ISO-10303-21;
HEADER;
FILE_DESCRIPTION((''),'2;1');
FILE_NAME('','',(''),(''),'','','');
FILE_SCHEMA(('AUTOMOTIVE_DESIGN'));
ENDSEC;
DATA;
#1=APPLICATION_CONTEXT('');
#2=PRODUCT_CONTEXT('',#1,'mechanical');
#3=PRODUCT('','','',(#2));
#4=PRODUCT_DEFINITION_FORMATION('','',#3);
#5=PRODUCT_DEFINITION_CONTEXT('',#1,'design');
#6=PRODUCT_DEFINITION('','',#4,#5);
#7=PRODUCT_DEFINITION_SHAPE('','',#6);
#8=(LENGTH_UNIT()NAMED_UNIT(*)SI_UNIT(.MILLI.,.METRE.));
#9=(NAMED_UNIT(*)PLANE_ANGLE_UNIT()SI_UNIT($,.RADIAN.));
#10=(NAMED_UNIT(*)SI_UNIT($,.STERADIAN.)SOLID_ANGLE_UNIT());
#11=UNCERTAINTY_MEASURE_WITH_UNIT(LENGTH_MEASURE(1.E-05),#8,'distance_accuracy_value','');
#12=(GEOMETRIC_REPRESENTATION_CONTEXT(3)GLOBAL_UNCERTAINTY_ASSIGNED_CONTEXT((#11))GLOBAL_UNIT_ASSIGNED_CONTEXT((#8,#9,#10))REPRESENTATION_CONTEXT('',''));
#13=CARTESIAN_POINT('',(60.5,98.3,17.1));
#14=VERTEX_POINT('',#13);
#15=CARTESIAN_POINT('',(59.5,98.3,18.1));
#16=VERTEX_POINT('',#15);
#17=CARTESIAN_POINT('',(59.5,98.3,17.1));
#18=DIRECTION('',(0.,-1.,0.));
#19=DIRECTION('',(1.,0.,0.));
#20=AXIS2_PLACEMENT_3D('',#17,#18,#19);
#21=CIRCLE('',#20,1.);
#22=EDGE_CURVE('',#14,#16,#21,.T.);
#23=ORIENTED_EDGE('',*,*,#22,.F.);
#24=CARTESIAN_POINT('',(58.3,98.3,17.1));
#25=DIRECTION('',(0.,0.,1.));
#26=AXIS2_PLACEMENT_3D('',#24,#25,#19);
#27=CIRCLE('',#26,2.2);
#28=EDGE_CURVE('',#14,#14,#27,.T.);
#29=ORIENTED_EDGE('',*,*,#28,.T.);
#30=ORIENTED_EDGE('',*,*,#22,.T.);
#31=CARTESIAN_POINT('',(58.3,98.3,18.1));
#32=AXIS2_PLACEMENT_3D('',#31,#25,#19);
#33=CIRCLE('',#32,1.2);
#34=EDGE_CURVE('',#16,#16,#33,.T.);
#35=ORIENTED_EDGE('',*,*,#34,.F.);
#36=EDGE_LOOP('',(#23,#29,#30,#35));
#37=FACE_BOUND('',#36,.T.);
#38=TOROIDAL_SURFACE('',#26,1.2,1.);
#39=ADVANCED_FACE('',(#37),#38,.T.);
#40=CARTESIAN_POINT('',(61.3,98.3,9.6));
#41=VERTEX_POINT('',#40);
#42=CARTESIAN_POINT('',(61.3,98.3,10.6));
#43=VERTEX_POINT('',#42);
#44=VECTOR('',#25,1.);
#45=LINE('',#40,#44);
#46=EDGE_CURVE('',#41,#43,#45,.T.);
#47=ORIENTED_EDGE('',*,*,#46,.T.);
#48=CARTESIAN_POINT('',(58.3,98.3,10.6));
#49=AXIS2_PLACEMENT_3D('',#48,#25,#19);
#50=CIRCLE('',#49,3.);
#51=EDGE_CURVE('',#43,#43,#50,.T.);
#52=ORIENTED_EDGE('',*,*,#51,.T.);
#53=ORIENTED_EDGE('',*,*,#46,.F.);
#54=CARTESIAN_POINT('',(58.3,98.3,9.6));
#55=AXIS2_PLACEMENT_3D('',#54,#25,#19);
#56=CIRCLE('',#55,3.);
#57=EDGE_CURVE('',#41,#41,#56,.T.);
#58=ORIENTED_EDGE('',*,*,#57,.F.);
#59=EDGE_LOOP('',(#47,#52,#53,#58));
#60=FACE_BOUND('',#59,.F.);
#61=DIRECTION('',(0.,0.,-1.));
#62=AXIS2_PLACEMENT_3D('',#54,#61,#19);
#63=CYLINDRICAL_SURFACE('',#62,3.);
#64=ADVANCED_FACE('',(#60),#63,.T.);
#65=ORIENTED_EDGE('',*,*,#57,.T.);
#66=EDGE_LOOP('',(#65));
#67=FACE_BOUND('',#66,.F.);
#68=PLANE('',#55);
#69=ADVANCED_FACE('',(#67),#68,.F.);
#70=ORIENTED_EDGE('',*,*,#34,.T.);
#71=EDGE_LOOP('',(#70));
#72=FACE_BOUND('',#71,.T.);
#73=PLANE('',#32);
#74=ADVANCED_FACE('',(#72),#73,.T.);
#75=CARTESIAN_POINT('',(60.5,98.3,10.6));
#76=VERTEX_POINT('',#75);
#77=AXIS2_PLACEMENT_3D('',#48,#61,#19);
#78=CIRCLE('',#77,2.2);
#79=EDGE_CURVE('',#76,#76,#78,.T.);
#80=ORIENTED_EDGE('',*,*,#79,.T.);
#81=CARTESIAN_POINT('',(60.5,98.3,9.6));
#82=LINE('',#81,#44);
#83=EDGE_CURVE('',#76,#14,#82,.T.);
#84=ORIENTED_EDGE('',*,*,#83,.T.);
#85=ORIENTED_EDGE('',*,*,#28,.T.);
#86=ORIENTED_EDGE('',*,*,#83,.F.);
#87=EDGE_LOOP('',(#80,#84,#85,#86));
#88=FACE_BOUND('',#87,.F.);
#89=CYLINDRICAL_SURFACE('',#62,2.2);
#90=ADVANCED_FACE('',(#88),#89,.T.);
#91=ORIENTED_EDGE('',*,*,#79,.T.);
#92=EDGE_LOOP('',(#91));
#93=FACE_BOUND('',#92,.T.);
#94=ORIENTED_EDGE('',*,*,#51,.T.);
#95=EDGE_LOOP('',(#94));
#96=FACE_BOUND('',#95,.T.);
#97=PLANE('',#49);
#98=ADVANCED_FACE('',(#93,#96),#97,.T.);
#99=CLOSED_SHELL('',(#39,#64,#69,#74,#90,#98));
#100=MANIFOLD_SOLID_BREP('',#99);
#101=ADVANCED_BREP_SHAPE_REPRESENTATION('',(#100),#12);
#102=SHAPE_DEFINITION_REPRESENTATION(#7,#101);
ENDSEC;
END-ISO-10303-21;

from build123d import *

# Parameters (mm, degrees)
CYLINDER020_R     = 2.2
CYLINDER020_DEPTH = 8.5
CYLINDER022_R     = 3
CYLINDER022_DEPTH = 1
FILLET001_R       = 1


with BuildPart() as control_button_c:
    # Cylinder020 → Cylinder020 (new body)
    with BuildSketch(Plane(origin=(58.3, 98.3, 9.6), x_dir=(1, 0, 0), z_dir=(0, 0, 1))):
        Circle(CYLINDER020_R)
    extrude(amount=CYLINDER020_DEPTH)


with BuildPart() as control_button:
    # Cylinder022 → Cylinder022 (new body)
    with BuildSketch(Plane(origin=(58.3, 98.3, 9.6), x_dir=(1, 0, 0), z_dir=(0, 0, 1))):
        Circle(CYLINDER022_R)
    extrude(amount=CYLINDER022_DEPTH)

    # Fusion033: union control_button_c
    add(control_button_c.part)

    # Fillet001
    fillet001_edges = [control_button.edges().sort_by_distance(p)[0] for p in [
        (56.1, 98.3, 18.1),
    ]]
    fillet(fillet001_edges, radius=FILLET001_R)


solid = control_button.part
